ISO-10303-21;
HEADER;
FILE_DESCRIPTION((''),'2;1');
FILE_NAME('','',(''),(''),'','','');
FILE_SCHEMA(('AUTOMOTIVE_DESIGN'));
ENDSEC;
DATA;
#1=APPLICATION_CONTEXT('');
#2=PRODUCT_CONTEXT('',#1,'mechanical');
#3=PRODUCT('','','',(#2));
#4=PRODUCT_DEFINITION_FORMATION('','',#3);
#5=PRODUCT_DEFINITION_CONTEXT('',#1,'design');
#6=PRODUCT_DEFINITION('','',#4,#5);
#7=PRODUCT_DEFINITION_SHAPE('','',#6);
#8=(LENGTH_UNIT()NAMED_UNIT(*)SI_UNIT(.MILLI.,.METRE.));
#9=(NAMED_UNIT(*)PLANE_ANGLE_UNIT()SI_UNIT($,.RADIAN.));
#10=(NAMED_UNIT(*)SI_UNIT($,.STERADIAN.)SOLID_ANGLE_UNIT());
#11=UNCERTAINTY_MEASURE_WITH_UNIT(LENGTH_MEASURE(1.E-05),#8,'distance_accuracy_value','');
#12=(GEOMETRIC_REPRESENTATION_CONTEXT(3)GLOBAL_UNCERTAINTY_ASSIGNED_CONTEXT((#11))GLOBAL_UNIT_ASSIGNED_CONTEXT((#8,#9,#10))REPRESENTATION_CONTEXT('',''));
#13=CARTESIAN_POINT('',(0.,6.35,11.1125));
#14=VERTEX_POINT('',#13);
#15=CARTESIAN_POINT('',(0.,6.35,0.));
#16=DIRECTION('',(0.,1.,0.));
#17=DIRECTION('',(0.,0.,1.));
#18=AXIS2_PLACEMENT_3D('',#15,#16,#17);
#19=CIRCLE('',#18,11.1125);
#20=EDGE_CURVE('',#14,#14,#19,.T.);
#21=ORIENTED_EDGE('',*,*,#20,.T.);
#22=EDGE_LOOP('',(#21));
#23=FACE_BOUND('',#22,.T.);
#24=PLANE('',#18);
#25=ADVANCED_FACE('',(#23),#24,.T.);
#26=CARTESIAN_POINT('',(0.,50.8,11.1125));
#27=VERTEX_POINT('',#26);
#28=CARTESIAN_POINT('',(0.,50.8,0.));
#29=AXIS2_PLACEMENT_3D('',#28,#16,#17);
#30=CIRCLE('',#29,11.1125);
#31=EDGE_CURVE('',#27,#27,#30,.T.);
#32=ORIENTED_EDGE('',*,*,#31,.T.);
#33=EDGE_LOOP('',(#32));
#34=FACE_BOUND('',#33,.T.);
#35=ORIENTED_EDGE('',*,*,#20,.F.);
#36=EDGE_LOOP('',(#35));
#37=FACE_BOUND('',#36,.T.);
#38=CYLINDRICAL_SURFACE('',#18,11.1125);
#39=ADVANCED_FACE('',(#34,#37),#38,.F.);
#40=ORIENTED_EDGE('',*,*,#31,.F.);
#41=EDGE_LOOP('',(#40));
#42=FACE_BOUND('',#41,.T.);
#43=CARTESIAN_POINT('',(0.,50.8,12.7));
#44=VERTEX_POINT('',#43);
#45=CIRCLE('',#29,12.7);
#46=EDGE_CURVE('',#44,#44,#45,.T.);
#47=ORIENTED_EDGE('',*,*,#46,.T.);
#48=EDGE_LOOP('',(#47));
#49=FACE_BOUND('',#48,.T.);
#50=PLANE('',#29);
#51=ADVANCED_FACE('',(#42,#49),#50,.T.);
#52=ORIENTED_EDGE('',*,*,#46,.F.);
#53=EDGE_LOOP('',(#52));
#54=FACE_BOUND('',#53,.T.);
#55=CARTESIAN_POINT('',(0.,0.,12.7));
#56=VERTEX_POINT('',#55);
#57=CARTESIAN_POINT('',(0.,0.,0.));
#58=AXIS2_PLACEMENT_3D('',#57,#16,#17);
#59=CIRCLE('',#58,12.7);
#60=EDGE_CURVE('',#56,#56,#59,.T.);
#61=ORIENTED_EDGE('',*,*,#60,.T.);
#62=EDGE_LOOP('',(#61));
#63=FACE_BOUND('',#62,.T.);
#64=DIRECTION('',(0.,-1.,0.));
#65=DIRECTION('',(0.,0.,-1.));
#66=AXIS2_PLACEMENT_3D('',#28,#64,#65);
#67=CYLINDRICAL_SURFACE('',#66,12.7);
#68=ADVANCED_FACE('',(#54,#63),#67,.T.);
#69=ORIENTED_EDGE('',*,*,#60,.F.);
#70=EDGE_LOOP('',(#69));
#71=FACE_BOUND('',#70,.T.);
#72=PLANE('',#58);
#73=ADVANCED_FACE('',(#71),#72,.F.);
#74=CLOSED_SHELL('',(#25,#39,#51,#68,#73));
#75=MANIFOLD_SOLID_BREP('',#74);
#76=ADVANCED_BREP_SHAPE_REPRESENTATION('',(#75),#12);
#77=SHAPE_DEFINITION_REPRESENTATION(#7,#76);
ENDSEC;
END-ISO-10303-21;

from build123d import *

# Parameters (mm, degrees)
SKETCH1_R           = 12.7
BOSS_EXTRUDE1_DEPTH = 50.8
SKETCH2_R           = 11.1125
CUT_EXTRUDE1_DEPTH  = 44.45


with BuildPart() as part:
    # Sketch1 → Boss-Extrude1 (new body)
    with BuildSketch(Plane(origin=(0, 0, 0), x_dir=(1, 0, 0), z_dir=(0, 1, 0))):
        with Locations(Location((0, 0, 0), (0, 0, 270))):
            Circle(SKETCH1_R)
    extrude(amount=BOSS_EXTRUDE1_DEPTH)

    # Sketch2 → Cut-Extrude1 (cut)
    with BuildSketch(Plane(origin=(0, 50.8, 0), x_dir=(1, 0, 0), z_dir=(0, 1, 0))):
        with Locations(Location((0, 0, 0), (0, 0, 270))):
            Circle(SKETCH2_R)
    extrude(amount=-CUT_EXTRUDE1_DEPTH, mode=Mode.SUBTRACT)


solid = part.part
